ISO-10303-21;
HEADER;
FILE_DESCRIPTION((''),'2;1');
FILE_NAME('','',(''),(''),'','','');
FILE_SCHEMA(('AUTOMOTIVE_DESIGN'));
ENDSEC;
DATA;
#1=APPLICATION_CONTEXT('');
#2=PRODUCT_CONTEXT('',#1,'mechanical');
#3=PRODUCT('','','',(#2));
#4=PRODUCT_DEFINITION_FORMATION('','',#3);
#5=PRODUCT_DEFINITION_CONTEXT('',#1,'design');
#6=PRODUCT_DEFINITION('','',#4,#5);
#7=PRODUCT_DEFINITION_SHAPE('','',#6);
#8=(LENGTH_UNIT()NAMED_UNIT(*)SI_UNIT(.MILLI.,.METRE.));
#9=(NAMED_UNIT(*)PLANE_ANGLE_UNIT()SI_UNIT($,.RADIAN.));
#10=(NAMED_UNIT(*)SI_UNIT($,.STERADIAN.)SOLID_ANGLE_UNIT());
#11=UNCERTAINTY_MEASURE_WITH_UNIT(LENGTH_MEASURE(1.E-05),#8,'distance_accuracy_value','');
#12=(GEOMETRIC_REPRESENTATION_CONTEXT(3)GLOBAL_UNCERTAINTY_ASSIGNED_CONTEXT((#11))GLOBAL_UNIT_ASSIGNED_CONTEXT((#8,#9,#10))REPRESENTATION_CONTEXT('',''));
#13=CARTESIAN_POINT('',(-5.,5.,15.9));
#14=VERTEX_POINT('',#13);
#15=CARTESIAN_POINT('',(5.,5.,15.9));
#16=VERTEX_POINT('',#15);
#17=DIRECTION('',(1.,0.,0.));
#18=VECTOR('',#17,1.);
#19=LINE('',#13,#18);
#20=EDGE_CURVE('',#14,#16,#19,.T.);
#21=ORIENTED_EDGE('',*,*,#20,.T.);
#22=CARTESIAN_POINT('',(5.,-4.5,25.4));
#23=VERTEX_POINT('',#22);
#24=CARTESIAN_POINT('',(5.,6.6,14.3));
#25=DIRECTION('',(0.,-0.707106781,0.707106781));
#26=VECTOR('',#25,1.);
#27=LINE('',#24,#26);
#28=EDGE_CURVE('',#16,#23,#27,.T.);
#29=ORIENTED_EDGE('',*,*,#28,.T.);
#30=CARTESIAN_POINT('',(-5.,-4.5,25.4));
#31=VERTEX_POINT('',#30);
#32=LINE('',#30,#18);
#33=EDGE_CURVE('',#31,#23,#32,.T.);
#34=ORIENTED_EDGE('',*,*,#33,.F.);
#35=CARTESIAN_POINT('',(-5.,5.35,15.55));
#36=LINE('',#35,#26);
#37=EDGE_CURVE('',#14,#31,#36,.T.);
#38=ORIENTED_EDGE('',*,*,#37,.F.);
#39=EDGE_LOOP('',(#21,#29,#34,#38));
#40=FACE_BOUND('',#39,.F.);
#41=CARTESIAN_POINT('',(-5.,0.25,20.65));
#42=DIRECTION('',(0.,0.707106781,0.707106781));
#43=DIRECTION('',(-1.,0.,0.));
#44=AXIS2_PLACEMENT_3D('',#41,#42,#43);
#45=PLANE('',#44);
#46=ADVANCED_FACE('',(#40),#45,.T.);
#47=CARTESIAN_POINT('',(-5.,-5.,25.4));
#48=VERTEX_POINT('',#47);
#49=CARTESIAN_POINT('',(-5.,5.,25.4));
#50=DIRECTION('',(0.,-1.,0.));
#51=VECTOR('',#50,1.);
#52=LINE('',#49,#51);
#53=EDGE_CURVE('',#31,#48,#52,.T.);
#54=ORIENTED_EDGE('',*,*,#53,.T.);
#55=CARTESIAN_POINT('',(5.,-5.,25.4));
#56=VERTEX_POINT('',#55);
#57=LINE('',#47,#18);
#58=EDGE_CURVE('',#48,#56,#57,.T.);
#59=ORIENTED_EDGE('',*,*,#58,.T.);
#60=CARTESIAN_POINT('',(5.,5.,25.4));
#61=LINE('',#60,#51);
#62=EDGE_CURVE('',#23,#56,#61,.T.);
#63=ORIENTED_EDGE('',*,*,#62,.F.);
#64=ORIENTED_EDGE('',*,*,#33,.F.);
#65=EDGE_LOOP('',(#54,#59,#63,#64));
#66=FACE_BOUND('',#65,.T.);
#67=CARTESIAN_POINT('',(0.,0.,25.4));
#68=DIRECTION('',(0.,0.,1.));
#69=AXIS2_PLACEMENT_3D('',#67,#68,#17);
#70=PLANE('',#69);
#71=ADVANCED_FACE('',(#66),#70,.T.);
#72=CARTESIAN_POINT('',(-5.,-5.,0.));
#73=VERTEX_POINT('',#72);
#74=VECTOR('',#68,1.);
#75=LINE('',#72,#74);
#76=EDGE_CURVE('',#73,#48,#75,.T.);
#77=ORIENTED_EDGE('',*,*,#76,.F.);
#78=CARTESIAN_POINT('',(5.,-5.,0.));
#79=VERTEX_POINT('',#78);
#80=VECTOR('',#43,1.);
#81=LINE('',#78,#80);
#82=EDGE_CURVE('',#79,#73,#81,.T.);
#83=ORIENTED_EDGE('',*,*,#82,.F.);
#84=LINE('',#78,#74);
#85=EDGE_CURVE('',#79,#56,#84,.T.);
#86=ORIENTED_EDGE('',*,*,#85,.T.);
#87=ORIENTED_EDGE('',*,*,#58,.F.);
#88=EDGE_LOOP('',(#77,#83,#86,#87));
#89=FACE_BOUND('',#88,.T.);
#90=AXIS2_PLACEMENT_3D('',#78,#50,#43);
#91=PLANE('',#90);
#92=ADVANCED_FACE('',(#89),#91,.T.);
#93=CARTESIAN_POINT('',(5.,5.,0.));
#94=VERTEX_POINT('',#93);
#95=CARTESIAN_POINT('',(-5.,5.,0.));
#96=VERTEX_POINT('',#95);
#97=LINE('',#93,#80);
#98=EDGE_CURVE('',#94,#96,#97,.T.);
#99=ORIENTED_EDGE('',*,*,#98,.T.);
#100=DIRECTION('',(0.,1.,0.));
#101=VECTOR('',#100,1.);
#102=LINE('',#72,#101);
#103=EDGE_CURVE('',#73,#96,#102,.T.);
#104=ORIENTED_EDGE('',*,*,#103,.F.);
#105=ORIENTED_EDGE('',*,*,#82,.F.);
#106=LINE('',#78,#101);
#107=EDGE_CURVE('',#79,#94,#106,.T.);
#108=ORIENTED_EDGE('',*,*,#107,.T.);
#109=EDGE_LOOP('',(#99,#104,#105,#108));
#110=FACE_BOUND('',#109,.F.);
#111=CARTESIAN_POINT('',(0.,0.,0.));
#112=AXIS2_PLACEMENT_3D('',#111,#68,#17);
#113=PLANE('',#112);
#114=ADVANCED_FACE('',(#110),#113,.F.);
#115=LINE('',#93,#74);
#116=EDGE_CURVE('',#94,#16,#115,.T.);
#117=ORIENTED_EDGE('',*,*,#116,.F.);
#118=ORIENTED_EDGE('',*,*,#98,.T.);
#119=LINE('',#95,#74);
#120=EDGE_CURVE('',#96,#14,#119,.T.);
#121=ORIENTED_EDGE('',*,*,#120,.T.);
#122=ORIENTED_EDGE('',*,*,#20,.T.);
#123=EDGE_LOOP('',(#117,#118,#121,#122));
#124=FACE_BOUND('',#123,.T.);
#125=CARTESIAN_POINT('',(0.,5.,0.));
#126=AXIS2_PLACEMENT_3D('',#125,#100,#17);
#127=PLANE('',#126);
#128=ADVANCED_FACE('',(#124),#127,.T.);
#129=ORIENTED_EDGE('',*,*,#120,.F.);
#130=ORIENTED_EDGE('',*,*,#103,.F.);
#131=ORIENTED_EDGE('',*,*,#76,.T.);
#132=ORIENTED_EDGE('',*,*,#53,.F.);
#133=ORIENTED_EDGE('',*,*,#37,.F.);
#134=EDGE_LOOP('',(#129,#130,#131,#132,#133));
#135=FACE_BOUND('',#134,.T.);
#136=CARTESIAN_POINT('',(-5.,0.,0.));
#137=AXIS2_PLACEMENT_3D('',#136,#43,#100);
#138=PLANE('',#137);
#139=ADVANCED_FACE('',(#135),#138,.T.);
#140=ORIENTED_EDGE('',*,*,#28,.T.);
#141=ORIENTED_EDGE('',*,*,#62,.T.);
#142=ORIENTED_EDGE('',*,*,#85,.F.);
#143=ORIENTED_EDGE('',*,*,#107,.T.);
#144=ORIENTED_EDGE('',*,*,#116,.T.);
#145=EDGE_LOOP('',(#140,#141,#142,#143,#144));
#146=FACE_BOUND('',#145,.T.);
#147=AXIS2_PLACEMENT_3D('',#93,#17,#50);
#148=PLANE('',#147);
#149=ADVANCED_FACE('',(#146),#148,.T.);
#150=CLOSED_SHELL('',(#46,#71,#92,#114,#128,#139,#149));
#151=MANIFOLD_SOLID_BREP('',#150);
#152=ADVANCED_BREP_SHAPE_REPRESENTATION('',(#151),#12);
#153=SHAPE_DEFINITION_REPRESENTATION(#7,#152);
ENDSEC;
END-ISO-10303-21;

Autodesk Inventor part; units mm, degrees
ref_plane "YZ Plane" through (0, 0, 0) normal (1, 0, 0) x (0, 1, 0)
ref_plane "XZ Plane" through (0, 0, 0) normal (0, 1, 0) x (-1, 0, 0)
ref_plane "XY Plane" through (0, 0, 0) normal (0, 0, 1) x (1, 0, 0)
sketch "Sketch1" plane through (0, 0, 0) normal (0, 0, 1) x (1, 0, 0)
  line L0 (0, 7) -> (0, -7) projected
  line L1 (-7, 0) -> (7, 0) projected
  line L2 (5, -5) -> (-5, -5)
  line L3 (-5, -5) -> (-5, 5)
  line L4 (-5, 5) -> (5, 5)
  line L5 (5, 5) -> (5, -5)
  line L6 (5, -5) -> (-5, 5) construction
  line L7 (-5, -5) -> (5, 5) construction
  point P0 (0, 0)
  dimension "d0" = 10
  dimension "d1" = 10
extrude "Extrusion1" add sketch "Sketch1" along normal blind 25.4
chamfer "Chamfer1" distance 9.5 angle 45 1 edges at (0, 5, 25.4)
properties part number "ADAFRUIT 1512 LOCK SOLENOID PLUNGER"
